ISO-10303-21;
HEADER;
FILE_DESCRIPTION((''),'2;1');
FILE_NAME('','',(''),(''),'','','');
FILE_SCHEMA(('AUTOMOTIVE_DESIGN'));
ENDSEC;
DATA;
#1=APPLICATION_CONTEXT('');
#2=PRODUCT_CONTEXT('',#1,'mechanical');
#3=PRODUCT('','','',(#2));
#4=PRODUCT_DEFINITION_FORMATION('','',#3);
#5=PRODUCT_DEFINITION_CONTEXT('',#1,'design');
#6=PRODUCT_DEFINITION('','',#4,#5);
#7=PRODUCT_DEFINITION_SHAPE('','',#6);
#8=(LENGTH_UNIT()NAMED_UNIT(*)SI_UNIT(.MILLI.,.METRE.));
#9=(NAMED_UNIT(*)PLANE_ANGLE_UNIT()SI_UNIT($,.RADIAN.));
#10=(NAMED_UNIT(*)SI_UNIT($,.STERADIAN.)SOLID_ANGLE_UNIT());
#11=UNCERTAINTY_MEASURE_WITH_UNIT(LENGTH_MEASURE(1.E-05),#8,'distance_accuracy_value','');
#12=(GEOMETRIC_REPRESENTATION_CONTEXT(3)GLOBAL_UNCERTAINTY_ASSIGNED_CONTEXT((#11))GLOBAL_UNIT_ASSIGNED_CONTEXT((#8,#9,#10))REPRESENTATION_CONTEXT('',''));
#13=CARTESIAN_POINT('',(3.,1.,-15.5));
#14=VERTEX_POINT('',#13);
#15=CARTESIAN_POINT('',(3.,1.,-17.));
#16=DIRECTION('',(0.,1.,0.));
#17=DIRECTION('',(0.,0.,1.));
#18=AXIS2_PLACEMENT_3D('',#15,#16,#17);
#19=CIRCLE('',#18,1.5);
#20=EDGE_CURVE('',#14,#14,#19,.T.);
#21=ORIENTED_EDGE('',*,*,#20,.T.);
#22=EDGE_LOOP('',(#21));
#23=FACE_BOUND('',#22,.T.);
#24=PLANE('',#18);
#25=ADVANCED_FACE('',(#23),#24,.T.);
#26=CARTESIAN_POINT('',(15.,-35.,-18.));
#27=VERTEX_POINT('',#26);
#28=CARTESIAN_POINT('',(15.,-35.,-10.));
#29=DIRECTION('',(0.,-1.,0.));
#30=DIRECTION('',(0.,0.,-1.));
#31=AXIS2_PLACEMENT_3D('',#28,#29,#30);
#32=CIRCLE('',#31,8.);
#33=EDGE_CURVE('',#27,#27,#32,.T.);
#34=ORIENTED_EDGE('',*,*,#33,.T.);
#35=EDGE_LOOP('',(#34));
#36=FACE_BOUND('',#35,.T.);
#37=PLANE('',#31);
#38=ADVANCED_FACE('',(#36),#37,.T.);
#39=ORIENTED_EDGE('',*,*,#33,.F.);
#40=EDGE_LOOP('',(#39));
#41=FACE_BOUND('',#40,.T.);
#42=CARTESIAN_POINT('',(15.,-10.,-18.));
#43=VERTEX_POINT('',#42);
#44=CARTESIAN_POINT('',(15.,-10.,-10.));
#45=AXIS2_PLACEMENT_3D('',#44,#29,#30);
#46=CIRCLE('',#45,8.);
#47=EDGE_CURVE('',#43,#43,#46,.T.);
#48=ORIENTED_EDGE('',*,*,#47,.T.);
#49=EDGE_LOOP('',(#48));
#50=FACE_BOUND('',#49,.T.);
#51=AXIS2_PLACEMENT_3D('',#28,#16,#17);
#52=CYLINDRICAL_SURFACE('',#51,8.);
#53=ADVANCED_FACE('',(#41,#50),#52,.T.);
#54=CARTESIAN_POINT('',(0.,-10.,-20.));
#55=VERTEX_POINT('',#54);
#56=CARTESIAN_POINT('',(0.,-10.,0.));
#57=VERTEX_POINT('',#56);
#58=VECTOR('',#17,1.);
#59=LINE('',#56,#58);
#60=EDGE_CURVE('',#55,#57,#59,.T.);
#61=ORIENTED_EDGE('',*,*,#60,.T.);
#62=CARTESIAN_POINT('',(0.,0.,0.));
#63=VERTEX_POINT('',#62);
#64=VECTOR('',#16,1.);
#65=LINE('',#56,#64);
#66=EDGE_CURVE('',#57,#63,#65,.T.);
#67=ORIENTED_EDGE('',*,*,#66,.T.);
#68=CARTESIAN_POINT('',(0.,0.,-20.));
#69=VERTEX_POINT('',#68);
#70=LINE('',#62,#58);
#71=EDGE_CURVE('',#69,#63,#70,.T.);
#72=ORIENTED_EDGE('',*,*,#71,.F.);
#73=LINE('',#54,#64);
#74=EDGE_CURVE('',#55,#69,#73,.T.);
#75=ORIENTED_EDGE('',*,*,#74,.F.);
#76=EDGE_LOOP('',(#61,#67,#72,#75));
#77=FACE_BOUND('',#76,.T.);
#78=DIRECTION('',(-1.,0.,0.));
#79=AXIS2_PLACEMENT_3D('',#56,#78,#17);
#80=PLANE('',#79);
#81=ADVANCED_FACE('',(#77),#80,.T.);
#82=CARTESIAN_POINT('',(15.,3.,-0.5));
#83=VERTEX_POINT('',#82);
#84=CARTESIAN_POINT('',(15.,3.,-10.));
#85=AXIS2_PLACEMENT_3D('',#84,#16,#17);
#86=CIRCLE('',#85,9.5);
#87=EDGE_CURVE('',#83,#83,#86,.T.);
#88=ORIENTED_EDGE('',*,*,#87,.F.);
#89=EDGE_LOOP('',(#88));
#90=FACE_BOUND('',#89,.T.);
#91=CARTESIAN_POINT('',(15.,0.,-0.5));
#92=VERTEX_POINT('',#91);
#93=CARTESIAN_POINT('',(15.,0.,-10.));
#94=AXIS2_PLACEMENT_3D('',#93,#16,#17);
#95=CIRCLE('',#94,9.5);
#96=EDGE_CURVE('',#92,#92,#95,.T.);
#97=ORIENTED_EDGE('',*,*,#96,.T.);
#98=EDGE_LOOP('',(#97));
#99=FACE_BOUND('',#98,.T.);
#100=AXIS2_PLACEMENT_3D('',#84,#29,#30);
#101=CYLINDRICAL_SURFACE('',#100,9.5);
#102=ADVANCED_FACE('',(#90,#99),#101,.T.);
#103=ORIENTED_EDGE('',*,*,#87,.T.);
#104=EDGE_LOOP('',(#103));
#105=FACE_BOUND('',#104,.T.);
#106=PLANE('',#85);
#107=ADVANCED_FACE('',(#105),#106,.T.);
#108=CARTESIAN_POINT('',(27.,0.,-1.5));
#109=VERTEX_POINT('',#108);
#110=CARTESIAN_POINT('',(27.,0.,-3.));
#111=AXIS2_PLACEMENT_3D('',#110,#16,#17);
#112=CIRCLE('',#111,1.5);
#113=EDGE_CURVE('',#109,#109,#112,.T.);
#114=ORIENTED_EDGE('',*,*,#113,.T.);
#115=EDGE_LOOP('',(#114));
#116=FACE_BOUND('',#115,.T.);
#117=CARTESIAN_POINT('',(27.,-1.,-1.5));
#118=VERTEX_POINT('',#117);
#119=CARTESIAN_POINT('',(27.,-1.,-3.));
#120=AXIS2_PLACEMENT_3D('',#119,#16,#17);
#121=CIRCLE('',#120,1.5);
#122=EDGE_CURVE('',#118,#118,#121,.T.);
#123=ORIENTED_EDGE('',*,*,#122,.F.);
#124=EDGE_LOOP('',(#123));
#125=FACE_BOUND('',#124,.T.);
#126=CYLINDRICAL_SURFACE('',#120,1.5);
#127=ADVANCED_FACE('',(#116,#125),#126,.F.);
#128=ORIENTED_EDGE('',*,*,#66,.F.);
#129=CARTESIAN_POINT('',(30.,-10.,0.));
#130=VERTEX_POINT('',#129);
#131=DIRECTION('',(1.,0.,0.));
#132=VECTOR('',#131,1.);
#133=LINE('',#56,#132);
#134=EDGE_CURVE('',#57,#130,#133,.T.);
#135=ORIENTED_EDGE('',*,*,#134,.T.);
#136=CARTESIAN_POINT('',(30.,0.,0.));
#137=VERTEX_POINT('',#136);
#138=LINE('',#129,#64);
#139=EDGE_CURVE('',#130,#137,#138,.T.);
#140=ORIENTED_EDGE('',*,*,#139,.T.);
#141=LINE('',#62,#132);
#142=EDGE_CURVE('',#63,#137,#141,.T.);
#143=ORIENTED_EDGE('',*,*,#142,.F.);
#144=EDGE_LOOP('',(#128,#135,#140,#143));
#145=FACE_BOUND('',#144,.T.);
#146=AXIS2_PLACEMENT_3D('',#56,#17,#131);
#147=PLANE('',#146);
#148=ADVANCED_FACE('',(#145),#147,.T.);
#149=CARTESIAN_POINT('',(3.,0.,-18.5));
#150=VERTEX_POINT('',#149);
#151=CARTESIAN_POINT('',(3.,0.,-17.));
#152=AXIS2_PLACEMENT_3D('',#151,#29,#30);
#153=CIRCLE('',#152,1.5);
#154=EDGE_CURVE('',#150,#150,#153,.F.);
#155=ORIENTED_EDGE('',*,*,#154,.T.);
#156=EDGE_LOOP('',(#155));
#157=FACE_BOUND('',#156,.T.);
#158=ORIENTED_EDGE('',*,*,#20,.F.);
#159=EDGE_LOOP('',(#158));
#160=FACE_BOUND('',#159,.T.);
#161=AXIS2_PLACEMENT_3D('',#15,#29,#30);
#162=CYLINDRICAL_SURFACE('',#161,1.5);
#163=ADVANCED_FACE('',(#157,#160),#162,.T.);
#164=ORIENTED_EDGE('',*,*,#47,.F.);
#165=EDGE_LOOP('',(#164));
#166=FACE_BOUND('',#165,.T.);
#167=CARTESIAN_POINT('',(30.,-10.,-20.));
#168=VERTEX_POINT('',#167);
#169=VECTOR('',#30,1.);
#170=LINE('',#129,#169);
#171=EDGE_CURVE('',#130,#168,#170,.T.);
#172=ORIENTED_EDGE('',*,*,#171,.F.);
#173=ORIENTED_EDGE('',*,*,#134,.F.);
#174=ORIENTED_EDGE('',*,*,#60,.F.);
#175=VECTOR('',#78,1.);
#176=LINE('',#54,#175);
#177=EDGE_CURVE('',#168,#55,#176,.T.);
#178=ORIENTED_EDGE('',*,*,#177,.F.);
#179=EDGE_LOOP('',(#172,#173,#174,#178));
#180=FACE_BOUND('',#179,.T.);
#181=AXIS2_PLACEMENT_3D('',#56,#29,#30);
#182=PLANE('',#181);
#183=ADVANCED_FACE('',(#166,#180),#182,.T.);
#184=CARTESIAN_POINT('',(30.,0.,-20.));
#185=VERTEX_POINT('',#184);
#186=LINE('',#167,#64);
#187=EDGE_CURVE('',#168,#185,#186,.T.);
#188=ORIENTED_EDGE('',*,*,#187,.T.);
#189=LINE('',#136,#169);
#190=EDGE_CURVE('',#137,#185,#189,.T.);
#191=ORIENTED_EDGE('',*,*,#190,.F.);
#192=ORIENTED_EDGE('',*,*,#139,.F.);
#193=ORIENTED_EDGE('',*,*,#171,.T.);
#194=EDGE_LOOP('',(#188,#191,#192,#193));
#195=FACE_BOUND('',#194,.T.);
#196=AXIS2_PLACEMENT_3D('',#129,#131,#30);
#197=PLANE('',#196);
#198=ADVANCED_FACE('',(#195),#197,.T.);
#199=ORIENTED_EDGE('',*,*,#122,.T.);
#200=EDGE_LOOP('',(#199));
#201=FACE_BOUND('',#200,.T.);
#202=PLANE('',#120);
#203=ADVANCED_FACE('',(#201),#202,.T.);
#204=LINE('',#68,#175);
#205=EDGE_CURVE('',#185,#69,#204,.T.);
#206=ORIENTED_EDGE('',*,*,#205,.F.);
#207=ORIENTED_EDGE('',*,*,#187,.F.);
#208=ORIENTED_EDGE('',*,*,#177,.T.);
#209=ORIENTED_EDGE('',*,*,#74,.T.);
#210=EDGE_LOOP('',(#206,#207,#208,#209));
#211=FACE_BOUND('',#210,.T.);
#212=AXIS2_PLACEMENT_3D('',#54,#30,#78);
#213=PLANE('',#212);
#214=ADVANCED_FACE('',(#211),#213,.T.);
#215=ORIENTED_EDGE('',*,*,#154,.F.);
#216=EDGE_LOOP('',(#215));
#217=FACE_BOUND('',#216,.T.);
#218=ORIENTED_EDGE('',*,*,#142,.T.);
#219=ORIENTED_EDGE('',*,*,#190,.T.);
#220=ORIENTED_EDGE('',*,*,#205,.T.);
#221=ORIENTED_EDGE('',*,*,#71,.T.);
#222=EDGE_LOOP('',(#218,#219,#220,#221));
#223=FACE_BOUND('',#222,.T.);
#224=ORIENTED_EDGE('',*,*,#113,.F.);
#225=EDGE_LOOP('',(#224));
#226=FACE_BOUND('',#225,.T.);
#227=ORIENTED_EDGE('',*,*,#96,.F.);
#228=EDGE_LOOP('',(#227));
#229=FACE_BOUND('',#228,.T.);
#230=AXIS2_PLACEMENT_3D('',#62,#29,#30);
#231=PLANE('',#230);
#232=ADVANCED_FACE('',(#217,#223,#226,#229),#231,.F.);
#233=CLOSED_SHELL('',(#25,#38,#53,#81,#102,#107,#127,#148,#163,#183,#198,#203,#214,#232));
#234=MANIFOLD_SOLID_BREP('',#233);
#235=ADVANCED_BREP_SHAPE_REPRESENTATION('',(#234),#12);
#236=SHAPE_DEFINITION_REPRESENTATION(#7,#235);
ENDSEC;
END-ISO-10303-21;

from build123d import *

# Parameters (mm, degrees)
SKETCH1_W           = 30
SKETCH1_H           = 20
BOSS_EXTRUDE1_DEPTH = 10
SKETCH2_R           = 8
BOSS_EXTRUDE2_DEPTH = 25
SKETCH3_R           = 9.5
BOSS_EXTRUDE3_DEPTH = 3
SKETCH4_R           = 1.5
BOSS_EXTRUDE4_DEPTH = 1
SKETCH5_R           = 1.5
CUT_EXTRUDE1_DEPTH  = 1


with BuildPart() as part:
    # Sketch1 → Boss-Extrude1 (new body)
    with BuildSketch(Plane(origin=(0, 0, 0), x_dir=(1, 0, 0), z_dir=(0, 1, 0))):
        with Locations((15, 10)):
            Rectangle(SKETCH1_W, SKETCH1_H)
    extrude(amount=-BOSS_EXTRUDE1_DEPTH)

    # Sketch2 → Boss-Extrude2 (add)
    with BuildSketch(Plane.XZ.offset(10)):
        with Locations(Location((15, -10, 0), (0, 0, 270))):
            Circle(SKETCH2_R)
    extrude(amount=BOSS_EXTRUDE2_DEPTH)

    # Sketch3 → Boss-Extrude3 (add)
    with BuildSketch(Plane(origin=(0, 0, 0), x_dir=(1, 0, 0), z_dir=(0, 1, 0))):
        with Locations(Location((15, 10, 0), (0, 0, 270))):
            Circle(SKETCH3_R)
    extrude(amount=BOSS_EXTRUDE3_DEPTH)

    # Sketch4 → Boss-Extrude4 (add)
    with BuildSketch(Plane(origin=(0, 0, 0), x_dir=(1, 0, 0), z_dir=(0, 1, 0))):
        with Locations(Location((3, 17, 0), (0, 0, 90))):
            Circle(SKETCH4_R)
    extrude(amount=BOSS_EXTRUDE4_DEPTH)

    # Sketch5 → Cut-Extrude1 (cut)
    with BuildSketch(Plane(origin=(0, 0, 0), x_dir=(1, 0, 0), z_dir=(0, 1, 0))):
        with Locations(Location((27, 3, 0), (0, 0, 270))):
            Circle(SKETCH5_R)
    extrude(amount=-CUT_EXTRUDE1_DEPTH, mode=Mode.SUBTRACT)


solid = part.part
